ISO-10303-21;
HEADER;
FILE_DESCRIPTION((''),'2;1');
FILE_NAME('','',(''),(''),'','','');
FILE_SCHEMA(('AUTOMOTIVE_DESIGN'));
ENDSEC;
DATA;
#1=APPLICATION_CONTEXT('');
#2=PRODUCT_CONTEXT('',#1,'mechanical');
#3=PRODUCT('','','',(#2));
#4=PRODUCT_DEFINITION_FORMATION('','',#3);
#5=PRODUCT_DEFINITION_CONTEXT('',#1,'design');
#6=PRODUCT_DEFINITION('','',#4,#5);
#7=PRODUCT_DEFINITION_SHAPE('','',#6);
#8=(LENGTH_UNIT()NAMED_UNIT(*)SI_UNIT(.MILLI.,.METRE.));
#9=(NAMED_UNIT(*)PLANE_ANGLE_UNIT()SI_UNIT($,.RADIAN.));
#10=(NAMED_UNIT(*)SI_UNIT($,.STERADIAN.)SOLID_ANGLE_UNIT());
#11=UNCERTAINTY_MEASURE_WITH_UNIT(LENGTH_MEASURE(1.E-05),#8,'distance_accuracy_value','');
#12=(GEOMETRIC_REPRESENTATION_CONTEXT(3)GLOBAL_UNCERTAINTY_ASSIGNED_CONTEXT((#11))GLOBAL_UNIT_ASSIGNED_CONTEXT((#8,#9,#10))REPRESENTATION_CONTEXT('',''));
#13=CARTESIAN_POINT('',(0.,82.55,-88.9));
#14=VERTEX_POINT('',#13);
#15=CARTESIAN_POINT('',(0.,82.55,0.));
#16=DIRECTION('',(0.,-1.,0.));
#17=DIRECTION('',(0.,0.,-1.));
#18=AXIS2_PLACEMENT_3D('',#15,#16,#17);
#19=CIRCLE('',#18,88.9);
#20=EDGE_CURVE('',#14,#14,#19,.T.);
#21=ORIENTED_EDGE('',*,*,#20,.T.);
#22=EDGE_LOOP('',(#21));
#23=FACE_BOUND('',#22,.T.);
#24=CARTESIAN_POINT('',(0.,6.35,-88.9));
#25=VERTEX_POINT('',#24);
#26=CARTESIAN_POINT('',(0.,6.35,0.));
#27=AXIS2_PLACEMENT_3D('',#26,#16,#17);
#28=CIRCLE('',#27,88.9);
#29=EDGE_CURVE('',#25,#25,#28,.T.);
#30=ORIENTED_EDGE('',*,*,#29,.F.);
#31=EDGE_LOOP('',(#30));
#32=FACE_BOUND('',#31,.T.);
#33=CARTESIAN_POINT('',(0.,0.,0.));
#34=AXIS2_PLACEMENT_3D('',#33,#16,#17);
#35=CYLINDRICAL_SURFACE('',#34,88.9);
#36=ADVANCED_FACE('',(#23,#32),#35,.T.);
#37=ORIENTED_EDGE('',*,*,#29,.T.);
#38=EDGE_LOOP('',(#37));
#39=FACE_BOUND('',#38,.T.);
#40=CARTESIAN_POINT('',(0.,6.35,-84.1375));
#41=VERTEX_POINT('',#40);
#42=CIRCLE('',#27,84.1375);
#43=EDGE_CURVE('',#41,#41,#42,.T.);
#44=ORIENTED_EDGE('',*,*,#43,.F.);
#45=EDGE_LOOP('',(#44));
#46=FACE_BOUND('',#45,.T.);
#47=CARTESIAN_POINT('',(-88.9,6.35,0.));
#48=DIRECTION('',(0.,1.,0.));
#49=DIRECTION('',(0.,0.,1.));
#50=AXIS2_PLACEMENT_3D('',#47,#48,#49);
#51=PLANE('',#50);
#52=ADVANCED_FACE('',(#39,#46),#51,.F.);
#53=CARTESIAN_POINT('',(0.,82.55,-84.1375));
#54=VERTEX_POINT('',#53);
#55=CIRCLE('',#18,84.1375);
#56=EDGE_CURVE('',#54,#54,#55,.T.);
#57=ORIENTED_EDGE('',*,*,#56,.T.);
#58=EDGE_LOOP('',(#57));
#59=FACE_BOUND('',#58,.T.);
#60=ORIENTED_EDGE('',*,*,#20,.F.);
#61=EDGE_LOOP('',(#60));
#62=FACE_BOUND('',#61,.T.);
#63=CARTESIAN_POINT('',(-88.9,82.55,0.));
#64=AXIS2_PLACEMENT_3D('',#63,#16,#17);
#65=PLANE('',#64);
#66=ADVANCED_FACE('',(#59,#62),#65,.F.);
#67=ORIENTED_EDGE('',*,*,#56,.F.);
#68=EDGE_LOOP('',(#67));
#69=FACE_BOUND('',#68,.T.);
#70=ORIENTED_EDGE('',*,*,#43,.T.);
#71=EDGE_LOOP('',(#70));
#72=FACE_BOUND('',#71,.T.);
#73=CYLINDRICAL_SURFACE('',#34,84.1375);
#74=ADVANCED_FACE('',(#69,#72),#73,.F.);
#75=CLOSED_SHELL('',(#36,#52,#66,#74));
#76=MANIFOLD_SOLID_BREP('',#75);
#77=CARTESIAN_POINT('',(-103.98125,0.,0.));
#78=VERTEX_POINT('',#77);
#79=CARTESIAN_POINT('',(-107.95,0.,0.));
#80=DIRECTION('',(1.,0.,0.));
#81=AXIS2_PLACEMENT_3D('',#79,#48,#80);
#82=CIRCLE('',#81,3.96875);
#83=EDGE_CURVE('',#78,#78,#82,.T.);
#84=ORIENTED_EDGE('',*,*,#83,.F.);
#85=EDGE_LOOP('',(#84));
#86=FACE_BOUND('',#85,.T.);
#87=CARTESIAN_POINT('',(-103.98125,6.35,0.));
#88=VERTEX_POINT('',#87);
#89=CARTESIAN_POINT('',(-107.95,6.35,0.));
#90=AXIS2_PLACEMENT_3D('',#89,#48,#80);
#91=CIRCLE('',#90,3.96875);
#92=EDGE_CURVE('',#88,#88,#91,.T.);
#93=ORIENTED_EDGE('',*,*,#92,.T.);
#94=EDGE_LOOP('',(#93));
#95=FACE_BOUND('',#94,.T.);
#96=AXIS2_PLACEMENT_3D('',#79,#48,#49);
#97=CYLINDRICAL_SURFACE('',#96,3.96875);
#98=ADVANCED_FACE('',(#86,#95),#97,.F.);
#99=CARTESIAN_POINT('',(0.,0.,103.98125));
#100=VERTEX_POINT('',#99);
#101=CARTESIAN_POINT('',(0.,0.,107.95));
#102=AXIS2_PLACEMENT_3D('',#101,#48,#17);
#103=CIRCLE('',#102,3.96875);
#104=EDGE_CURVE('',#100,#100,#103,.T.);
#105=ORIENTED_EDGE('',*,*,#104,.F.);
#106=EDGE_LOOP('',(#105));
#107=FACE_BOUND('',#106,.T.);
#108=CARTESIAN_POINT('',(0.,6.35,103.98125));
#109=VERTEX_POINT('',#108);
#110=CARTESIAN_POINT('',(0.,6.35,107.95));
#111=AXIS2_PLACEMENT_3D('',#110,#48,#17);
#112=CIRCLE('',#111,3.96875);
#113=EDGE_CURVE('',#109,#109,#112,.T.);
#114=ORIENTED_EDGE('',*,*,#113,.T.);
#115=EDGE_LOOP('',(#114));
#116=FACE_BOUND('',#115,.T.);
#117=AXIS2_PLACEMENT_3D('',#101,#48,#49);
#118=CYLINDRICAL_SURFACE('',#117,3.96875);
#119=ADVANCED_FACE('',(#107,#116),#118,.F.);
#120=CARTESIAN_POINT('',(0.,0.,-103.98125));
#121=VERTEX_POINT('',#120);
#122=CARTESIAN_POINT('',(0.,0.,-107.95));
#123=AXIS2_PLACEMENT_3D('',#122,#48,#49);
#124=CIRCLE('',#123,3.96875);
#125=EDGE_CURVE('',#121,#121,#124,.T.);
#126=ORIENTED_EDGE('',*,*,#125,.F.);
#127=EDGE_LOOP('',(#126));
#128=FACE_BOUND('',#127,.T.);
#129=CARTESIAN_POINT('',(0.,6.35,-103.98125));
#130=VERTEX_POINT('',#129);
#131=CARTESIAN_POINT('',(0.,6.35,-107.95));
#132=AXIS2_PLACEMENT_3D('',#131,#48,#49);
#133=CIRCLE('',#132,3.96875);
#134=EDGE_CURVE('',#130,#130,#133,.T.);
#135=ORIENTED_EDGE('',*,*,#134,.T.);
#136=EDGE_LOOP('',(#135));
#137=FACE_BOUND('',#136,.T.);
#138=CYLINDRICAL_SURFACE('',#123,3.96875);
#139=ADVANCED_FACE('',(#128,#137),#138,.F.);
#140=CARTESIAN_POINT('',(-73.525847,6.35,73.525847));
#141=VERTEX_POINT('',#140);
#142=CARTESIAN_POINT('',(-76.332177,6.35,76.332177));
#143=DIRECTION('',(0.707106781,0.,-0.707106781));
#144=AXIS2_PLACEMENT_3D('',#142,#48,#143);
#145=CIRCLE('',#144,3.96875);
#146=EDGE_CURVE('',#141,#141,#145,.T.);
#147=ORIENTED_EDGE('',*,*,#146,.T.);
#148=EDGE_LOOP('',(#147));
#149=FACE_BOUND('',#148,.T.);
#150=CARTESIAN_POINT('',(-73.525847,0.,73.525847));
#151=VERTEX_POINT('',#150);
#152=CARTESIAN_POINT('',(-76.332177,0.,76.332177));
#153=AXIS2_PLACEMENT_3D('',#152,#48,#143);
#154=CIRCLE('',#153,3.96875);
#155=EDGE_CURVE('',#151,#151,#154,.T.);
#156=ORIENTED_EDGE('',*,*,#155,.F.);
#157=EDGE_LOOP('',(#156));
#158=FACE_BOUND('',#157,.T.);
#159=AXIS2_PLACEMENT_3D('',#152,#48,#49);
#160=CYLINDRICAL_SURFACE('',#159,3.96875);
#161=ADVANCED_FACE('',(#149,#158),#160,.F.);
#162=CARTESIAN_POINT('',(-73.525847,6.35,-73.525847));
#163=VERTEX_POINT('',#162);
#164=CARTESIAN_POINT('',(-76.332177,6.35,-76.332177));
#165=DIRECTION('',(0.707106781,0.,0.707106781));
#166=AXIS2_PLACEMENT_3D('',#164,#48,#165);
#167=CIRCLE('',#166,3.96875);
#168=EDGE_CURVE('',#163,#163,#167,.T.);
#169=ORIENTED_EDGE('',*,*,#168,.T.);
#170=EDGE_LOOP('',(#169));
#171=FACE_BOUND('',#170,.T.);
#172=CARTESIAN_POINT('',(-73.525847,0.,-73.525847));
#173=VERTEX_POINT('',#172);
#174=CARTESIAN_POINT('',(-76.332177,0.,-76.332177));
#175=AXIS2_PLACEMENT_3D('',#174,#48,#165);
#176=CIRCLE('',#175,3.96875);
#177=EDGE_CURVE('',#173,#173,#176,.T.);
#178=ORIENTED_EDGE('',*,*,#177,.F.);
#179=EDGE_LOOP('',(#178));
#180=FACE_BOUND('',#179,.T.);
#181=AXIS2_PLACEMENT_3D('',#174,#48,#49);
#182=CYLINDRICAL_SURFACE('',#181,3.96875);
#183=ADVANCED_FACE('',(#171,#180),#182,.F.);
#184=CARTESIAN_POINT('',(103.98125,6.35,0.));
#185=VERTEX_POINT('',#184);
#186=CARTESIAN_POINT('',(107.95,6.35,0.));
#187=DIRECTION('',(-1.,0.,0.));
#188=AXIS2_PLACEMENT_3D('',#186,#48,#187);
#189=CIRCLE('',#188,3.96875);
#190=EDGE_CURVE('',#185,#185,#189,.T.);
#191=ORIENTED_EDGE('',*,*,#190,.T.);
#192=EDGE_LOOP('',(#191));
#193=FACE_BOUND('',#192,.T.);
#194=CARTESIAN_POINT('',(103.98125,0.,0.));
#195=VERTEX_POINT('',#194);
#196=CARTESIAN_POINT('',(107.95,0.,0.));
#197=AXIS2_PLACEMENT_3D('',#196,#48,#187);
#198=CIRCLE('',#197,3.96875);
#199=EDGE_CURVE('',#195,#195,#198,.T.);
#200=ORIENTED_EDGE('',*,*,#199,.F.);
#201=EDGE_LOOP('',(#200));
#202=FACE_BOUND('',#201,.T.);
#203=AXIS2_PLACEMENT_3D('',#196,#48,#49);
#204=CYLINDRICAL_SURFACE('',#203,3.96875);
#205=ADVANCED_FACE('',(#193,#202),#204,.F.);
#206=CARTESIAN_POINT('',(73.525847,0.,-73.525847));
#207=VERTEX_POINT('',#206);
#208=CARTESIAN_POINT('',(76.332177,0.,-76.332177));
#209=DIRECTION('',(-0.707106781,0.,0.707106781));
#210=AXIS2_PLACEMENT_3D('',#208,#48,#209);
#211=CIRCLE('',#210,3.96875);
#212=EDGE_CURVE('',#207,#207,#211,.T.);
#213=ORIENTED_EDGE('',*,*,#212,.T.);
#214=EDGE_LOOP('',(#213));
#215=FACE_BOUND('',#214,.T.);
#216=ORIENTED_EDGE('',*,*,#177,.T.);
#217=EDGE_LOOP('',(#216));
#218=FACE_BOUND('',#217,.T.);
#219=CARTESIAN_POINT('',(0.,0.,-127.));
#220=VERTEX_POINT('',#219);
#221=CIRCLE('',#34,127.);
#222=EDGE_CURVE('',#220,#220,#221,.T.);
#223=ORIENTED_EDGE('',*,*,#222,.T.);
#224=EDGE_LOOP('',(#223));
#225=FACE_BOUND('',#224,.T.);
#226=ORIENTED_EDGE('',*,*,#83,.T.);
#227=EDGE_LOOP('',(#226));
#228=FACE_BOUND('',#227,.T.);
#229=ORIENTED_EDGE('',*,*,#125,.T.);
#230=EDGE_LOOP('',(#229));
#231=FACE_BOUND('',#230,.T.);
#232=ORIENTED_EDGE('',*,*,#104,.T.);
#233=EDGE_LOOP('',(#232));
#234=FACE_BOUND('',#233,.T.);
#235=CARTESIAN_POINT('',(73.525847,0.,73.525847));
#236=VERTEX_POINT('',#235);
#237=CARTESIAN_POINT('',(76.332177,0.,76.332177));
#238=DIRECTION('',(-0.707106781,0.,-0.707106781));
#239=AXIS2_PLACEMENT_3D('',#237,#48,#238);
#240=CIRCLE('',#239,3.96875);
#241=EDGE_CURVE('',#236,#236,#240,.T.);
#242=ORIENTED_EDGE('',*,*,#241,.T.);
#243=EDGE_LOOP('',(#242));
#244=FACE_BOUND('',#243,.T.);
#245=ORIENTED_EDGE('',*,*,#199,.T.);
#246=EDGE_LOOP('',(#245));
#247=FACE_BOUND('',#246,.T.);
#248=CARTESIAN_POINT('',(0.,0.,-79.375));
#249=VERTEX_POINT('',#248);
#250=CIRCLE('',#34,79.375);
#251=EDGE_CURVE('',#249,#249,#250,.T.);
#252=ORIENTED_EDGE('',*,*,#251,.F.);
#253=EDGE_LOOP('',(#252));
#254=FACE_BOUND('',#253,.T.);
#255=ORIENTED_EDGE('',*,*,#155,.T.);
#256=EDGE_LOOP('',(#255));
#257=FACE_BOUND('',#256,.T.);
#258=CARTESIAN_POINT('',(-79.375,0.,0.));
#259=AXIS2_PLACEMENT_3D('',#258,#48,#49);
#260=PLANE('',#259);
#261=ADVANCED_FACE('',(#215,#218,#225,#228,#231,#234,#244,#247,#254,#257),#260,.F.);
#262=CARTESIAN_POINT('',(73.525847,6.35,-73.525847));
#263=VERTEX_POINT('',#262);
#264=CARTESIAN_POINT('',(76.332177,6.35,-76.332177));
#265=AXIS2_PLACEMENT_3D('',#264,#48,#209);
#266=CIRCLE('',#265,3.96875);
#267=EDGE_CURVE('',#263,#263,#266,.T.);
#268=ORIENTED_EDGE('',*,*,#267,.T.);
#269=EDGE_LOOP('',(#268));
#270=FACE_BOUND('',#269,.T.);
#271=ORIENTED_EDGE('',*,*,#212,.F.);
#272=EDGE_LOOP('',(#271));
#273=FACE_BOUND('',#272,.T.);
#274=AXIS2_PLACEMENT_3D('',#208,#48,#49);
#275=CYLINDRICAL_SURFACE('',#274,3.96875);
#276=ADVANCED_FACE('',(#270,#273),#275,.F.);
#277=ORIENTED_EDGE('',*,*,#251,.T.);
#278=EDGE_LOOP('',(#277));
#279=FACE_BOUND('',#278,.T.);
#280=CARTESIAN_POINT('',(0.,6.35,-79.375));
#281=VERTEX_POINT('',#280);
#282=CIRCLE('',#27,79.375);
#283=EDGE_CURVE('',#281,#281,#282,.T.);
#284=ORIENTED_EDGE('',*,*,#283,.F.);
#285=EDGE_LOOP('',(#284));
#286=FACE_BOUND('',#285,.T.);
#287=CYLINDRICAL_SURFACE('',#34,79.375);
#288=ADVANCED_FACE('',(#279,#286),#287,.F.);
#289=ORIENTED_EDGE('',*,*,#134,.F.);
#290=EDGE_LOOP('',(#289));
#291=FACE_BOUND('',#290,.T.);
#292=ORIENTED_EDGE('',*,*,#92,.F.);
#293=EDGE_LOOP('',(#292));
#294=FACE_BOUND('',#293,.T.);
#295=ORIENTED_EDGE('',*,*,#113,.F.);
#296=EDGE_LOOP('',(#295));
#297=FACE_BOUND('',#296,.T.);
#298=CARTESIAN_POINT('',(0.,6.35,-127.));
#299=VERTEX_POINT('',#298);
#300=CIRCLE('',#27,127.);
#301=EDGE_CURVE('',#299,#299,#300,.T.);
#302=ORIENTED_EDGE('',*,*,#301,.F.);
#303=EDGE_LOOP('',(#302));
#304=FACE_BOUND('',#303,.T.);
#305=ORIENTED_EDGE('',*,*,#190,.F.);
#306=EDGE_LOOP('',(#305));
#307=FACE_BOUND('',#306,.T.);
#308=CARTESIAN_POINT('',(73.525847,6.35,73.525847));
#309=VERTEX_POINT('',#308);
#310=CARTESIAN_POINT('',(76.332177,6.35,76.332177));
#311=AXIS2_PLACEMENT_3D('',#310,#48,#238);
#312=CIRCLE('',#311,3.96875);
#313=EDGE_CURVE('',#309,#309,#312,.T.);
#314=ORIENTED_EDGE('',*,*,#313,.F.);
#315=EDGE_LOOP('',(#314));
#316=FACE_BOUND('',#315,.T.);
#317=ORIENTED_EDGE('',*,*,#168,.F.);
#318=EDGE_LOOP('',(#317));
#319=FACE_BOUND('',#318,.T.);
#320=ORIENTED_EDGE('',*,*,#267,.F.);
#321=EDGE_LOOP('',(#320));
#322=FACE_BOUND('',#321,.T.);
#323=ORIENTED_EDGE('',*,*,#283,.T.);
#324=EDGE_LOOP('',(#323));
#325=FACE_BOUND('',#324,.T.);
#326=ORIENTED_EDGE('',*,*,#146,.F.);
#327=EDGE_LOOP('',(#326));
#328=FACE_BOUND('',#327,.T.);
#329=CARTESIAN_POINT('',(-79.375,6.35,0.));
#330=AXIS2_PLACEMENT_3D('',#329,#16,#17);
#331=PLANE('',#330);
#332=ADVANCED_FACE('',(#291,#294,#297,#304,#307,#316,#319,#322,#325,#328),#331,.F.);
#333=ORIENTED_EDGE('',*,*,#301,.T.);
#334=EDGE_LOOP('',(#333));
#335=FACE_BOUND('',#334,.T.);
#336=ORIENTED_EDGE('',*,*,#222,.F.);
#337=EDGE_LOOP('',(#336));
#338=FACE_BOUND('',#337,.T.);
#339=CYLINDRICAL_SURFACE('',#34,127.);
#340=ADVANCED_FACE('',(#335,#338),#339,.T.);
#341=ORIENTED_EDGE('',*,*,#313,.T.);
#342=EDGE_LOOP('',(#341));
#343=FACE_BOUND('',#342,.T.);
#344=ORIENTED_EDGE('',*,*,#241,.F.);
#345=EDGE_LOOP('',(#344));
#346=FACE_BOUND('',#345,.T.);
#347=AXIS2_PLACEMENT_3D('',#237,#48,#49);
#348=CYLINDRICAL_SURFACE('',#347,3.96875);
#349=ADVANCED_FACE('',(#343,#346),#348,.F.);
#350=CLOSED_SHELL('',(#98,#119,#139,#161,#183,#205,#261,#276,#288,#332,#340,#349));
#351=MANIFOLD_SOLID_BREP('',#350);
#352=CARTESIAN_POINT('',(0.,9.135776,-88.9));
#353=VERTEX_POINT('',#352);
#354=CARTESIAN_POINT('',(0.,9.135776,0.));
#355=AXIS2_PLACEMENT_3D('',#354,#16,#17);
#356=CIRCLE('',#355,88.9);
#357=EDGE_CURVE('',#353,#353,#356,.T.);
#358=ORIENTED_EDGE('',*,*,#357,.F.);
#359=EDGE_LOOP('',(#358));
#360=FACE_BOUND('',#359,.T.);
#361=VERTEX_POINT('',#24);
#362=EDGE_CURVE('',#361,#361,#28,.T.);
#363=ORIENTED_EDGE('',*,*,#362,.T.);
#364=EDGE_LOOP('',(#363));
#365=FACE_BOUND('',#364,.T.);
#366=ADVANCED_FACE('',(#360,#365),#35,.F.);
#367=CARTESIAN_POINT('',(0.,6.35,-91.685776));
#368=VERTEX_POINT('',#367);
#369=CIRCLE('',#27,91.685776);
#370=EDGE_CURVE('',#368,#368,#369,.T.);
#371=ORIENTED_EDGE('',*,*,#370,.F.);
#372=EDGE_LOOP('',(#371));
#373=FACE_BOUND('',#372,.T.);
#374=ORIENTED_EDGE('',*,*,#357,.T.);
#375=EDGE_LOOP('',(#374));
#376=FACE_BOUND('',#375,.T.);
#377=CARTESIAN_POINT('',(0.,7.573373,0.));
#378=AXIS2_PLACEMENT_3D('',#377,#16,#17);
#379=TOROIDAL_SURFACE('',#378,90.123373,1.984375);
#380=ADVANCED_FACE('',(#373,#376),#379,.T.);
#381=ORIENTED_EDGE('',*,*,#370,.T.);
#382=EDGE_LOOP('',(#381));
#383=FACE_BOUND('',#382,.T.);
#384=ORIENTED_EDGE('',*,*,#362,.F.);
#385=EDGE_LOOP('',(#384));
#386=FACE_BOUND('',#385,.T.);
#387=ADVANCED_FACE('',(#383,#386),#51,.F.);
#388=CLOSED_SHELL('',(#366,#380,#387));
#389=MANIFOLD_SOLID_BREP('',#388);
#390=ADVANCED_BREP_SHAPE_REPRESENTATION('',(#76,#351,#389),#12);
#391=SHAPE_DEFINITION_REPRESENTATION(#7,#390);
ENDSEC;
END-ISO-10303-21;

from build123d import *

# Parameters (mm, degrees)
SKETCH1_W          = 47.625
SKETCH1_H          = 6.35
SKETCH2_W          = 4.7625
SKETCH2_H          = 76.2
SKETCH4_R          = 3.96875
CUT_EXTRUDE1_DEPTH = 7.35
CIRPATTERN1_COUNT  = 8


with BuildPart() as part:
    # Sketch1 → Revolve1 (revolve)
    with BuildSketch(Plane.XY, mode=Mode.PRIVATE) as revolve1_sk:
        with Locations((-103.1875, 3.175)):
            Rectangle(SKETCH1_W, SKETCH1_H)
    revolve(revolve1_sk.sketch.rotate(Axis((0, 0, 0), (0, 1, 0)), 270), axis=Axis((0, 0, 0), (0, 1, 0)))  # turned: the seam where the file's is

    # Sketch4 → Cut-Extrude1 (cut, through all)
    with BuildSketch(Plane(origin=(0, 6.35, 0), x_dir=(1, 0, 0), z_dir=(0, 1, 0))):
        with Locations(Location((0, 107.95, 0), (0, 0, 270))):  # turned: the seam where the file's is
            Circle(SKETCH4_R)
    cut_extrude1 = extrude(amount=-CUT_EXTRUDE1_DEPTH, mode=Mode.SUBTRACT)

    # CirPattern1: Cut-Extrude1 ×8 about axis
    cirpattern1_axis = Axis((0, 0, 0), (0, 1, 0))
    for i in range(1, CIRPATTERN1_COUNT):
        add(cut_extrude1.rotate(cirpattern1_axis, i * 360 / CIRPATTERN1_COUNT), mode=Mode.SUBTRACT)


with BuildPart() as body_2:
    # Sketch2 → Revolve2 (revolve)
    with BuildSketch(Plane.XY, mode=Mode.PRIVATE) as revolve2_sk:
        with Locations((-86.51875, 44.45)):
            Rectangle(SKETCH2_W, SKETCH2_H)
    revolve(revolve2_sk.sketch.rotate(Axis((0, 0, 0), (0, 1, 0)), 270), axis=Axis((0, 0, 0), (0, 1, 0)))  # turned: the seam where the file's is


with BuildPart() as body_3:
    # Sketch3 → Revolve3 (revolve)
    with BuildSketch(Plane.XY, mode=Mode.PRIVATE) as revolve3_sk:
        with BuildLine():
            Line((-88.9, 6.35), (-91.685775819, 6.35))
            ThreePointArc((-91.685775819, 6.35), (-91.526537909, 8.976537909), (-88.9, 9.135775819))
            Line((-88.9, 9.135775819), (-88.9, 6.35))
        make_face()
    revolve(revolve3_sk.sketch.rotate(Axis((0, 0, 0), (0, 1, 0)), 270), axis=Axis((0, 0, 0), (0, 1, 0)))  # turned: the seam where the file's is


solid = Compound([part.part, body_2.part, body_3.part])
